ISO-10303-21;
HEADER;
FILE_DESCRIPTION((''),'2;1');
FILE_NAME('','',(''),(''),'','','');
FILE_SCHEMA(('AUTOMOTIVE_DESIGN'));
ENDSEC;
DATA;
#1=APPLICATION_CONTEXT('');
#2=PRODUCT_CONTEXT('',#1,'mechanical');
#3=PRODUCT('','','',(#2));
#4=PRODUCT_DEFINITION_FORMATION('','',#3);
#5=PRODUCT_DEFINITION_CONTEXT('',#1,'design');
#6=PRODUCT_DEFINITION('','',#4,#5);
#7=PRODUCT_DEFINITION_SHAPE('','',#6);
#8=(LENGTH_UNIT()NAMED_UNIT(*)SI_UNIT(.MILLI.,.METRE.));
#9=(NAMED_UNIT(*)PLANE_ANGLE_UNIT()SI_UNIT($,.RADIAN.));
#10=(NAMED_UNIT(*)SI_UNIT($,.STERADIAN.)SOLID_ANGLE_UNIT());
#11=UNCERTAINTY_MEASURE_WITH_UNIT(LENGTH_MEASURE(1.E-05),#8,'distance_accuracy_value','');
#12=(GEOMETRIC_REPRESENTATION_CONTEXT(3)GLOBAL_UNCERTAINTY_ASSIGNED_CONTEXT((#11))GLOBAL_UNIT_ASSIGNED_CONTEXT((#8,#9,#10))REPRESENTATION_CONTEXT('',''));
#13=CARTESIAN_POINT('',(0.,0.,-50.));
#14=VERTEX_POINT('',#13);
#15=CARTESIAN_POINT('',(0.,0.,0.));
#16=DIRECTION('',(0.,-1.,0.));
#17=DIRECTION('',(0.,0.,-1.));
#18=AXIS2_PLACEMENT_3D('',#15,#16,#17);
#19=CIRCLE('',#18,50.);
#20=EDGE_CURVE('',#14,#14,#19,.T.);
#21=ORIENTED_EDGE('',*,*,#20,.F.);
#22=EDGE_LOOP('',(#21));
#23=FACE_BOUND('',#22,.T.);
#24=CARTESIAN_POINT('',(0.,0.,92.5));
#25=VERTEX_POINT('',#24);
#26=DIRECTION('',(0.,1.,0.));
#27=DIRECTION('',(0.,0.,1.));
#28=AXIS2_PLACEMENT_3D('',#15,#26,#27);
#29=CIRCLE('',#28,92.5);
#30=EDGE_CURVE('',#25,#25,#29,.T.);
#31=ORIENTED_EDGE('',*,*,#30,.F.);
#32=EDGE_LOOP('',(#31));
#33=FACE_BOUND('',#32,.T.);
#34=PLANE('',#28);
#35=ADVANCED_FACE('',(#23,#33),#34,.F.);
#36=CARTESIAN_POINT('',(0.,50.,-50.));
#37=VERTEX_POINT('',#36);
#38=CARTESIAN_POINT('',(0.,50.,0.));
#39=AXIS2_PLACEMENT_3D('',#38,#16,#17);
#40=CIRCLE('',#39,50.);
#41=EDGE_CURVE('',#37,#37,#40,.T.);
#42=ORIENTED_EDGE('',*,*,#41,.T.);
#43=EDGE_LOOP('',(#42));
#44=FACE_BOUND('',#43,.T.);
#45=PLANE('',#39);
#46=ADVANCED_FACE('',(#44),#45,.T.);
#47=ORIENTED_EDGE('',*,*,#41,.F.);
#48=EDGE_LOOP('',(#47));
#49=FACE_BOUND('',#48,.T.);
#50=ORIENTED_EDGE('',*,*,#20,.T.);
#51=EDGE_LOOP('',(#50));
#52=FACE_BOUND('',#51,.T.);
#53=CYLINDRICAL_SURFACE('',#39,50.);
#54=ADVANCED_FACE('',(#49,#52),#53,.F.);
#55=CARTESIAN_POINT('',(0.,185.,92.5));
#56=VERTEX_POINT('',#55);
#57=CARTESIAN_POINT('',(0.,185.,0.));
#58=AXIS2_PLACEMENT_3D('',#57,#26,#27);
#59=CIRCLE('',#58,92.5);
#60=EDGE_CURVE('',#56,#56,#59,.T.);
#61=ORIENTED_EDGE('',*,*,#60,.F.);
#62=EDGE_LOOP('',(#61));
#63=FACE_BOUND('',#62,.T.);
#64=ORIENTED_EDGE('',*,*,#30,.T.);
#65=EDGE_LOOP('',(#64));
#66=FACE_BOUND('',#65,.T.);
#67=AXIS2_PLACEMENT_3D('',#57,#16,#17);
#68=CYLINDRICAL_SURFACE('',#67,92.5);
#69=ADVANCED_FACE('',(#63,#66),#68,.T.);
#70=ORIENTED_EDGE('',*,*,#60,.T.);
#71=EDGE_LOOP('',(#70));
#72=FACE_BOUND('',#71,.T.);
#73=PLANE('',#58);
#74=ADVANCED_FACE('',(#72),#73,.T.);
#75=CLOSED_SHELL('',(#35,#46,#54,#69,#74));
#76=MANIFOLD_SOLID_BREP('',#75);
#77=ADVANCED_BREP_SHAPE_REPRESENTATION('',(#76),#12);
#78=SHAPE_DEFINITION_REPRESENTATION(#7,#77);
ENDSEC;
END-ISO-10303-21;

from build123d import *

# Parameters (mm, degrees)
SKETCH_1_R          = 92.5
EXTRUDE_1_DEPTH     = 185
SKETCH_2_R          = 50
CUT_EXTRUDE_1_DEPTH = 50


with BuildPart() as part:
    # 草图1 → 凸台-拉伸1 (new body)
    with BuildSketch(Plane(origin=(0, 0, 0), x_dir=(1, 0, 0), z_dir=(0, 1, 0))):
        with Locations(Location((0, 0, 0), (0, 0, 270))):
            Circle(SKETCH_1_R)
    extrude(amount=EXTRUDE_1_DEPTH)

    # 草图2 → 切除-拉伸1 (cut)
    with BuildSketch(Plane(origin=(0, 0, 0), x_dir=(-1, 0, 0), z_dir=(0, -1, 0))):
        with Locations(Location((0, 0, 0), (0, 0, 90))):
            Circle(SKETCH_2_R)
    extrude(amount=-CUT_EXTRUDE_1_DEPTH, mode=Mode.SUBTRACT)


solid = part.part
